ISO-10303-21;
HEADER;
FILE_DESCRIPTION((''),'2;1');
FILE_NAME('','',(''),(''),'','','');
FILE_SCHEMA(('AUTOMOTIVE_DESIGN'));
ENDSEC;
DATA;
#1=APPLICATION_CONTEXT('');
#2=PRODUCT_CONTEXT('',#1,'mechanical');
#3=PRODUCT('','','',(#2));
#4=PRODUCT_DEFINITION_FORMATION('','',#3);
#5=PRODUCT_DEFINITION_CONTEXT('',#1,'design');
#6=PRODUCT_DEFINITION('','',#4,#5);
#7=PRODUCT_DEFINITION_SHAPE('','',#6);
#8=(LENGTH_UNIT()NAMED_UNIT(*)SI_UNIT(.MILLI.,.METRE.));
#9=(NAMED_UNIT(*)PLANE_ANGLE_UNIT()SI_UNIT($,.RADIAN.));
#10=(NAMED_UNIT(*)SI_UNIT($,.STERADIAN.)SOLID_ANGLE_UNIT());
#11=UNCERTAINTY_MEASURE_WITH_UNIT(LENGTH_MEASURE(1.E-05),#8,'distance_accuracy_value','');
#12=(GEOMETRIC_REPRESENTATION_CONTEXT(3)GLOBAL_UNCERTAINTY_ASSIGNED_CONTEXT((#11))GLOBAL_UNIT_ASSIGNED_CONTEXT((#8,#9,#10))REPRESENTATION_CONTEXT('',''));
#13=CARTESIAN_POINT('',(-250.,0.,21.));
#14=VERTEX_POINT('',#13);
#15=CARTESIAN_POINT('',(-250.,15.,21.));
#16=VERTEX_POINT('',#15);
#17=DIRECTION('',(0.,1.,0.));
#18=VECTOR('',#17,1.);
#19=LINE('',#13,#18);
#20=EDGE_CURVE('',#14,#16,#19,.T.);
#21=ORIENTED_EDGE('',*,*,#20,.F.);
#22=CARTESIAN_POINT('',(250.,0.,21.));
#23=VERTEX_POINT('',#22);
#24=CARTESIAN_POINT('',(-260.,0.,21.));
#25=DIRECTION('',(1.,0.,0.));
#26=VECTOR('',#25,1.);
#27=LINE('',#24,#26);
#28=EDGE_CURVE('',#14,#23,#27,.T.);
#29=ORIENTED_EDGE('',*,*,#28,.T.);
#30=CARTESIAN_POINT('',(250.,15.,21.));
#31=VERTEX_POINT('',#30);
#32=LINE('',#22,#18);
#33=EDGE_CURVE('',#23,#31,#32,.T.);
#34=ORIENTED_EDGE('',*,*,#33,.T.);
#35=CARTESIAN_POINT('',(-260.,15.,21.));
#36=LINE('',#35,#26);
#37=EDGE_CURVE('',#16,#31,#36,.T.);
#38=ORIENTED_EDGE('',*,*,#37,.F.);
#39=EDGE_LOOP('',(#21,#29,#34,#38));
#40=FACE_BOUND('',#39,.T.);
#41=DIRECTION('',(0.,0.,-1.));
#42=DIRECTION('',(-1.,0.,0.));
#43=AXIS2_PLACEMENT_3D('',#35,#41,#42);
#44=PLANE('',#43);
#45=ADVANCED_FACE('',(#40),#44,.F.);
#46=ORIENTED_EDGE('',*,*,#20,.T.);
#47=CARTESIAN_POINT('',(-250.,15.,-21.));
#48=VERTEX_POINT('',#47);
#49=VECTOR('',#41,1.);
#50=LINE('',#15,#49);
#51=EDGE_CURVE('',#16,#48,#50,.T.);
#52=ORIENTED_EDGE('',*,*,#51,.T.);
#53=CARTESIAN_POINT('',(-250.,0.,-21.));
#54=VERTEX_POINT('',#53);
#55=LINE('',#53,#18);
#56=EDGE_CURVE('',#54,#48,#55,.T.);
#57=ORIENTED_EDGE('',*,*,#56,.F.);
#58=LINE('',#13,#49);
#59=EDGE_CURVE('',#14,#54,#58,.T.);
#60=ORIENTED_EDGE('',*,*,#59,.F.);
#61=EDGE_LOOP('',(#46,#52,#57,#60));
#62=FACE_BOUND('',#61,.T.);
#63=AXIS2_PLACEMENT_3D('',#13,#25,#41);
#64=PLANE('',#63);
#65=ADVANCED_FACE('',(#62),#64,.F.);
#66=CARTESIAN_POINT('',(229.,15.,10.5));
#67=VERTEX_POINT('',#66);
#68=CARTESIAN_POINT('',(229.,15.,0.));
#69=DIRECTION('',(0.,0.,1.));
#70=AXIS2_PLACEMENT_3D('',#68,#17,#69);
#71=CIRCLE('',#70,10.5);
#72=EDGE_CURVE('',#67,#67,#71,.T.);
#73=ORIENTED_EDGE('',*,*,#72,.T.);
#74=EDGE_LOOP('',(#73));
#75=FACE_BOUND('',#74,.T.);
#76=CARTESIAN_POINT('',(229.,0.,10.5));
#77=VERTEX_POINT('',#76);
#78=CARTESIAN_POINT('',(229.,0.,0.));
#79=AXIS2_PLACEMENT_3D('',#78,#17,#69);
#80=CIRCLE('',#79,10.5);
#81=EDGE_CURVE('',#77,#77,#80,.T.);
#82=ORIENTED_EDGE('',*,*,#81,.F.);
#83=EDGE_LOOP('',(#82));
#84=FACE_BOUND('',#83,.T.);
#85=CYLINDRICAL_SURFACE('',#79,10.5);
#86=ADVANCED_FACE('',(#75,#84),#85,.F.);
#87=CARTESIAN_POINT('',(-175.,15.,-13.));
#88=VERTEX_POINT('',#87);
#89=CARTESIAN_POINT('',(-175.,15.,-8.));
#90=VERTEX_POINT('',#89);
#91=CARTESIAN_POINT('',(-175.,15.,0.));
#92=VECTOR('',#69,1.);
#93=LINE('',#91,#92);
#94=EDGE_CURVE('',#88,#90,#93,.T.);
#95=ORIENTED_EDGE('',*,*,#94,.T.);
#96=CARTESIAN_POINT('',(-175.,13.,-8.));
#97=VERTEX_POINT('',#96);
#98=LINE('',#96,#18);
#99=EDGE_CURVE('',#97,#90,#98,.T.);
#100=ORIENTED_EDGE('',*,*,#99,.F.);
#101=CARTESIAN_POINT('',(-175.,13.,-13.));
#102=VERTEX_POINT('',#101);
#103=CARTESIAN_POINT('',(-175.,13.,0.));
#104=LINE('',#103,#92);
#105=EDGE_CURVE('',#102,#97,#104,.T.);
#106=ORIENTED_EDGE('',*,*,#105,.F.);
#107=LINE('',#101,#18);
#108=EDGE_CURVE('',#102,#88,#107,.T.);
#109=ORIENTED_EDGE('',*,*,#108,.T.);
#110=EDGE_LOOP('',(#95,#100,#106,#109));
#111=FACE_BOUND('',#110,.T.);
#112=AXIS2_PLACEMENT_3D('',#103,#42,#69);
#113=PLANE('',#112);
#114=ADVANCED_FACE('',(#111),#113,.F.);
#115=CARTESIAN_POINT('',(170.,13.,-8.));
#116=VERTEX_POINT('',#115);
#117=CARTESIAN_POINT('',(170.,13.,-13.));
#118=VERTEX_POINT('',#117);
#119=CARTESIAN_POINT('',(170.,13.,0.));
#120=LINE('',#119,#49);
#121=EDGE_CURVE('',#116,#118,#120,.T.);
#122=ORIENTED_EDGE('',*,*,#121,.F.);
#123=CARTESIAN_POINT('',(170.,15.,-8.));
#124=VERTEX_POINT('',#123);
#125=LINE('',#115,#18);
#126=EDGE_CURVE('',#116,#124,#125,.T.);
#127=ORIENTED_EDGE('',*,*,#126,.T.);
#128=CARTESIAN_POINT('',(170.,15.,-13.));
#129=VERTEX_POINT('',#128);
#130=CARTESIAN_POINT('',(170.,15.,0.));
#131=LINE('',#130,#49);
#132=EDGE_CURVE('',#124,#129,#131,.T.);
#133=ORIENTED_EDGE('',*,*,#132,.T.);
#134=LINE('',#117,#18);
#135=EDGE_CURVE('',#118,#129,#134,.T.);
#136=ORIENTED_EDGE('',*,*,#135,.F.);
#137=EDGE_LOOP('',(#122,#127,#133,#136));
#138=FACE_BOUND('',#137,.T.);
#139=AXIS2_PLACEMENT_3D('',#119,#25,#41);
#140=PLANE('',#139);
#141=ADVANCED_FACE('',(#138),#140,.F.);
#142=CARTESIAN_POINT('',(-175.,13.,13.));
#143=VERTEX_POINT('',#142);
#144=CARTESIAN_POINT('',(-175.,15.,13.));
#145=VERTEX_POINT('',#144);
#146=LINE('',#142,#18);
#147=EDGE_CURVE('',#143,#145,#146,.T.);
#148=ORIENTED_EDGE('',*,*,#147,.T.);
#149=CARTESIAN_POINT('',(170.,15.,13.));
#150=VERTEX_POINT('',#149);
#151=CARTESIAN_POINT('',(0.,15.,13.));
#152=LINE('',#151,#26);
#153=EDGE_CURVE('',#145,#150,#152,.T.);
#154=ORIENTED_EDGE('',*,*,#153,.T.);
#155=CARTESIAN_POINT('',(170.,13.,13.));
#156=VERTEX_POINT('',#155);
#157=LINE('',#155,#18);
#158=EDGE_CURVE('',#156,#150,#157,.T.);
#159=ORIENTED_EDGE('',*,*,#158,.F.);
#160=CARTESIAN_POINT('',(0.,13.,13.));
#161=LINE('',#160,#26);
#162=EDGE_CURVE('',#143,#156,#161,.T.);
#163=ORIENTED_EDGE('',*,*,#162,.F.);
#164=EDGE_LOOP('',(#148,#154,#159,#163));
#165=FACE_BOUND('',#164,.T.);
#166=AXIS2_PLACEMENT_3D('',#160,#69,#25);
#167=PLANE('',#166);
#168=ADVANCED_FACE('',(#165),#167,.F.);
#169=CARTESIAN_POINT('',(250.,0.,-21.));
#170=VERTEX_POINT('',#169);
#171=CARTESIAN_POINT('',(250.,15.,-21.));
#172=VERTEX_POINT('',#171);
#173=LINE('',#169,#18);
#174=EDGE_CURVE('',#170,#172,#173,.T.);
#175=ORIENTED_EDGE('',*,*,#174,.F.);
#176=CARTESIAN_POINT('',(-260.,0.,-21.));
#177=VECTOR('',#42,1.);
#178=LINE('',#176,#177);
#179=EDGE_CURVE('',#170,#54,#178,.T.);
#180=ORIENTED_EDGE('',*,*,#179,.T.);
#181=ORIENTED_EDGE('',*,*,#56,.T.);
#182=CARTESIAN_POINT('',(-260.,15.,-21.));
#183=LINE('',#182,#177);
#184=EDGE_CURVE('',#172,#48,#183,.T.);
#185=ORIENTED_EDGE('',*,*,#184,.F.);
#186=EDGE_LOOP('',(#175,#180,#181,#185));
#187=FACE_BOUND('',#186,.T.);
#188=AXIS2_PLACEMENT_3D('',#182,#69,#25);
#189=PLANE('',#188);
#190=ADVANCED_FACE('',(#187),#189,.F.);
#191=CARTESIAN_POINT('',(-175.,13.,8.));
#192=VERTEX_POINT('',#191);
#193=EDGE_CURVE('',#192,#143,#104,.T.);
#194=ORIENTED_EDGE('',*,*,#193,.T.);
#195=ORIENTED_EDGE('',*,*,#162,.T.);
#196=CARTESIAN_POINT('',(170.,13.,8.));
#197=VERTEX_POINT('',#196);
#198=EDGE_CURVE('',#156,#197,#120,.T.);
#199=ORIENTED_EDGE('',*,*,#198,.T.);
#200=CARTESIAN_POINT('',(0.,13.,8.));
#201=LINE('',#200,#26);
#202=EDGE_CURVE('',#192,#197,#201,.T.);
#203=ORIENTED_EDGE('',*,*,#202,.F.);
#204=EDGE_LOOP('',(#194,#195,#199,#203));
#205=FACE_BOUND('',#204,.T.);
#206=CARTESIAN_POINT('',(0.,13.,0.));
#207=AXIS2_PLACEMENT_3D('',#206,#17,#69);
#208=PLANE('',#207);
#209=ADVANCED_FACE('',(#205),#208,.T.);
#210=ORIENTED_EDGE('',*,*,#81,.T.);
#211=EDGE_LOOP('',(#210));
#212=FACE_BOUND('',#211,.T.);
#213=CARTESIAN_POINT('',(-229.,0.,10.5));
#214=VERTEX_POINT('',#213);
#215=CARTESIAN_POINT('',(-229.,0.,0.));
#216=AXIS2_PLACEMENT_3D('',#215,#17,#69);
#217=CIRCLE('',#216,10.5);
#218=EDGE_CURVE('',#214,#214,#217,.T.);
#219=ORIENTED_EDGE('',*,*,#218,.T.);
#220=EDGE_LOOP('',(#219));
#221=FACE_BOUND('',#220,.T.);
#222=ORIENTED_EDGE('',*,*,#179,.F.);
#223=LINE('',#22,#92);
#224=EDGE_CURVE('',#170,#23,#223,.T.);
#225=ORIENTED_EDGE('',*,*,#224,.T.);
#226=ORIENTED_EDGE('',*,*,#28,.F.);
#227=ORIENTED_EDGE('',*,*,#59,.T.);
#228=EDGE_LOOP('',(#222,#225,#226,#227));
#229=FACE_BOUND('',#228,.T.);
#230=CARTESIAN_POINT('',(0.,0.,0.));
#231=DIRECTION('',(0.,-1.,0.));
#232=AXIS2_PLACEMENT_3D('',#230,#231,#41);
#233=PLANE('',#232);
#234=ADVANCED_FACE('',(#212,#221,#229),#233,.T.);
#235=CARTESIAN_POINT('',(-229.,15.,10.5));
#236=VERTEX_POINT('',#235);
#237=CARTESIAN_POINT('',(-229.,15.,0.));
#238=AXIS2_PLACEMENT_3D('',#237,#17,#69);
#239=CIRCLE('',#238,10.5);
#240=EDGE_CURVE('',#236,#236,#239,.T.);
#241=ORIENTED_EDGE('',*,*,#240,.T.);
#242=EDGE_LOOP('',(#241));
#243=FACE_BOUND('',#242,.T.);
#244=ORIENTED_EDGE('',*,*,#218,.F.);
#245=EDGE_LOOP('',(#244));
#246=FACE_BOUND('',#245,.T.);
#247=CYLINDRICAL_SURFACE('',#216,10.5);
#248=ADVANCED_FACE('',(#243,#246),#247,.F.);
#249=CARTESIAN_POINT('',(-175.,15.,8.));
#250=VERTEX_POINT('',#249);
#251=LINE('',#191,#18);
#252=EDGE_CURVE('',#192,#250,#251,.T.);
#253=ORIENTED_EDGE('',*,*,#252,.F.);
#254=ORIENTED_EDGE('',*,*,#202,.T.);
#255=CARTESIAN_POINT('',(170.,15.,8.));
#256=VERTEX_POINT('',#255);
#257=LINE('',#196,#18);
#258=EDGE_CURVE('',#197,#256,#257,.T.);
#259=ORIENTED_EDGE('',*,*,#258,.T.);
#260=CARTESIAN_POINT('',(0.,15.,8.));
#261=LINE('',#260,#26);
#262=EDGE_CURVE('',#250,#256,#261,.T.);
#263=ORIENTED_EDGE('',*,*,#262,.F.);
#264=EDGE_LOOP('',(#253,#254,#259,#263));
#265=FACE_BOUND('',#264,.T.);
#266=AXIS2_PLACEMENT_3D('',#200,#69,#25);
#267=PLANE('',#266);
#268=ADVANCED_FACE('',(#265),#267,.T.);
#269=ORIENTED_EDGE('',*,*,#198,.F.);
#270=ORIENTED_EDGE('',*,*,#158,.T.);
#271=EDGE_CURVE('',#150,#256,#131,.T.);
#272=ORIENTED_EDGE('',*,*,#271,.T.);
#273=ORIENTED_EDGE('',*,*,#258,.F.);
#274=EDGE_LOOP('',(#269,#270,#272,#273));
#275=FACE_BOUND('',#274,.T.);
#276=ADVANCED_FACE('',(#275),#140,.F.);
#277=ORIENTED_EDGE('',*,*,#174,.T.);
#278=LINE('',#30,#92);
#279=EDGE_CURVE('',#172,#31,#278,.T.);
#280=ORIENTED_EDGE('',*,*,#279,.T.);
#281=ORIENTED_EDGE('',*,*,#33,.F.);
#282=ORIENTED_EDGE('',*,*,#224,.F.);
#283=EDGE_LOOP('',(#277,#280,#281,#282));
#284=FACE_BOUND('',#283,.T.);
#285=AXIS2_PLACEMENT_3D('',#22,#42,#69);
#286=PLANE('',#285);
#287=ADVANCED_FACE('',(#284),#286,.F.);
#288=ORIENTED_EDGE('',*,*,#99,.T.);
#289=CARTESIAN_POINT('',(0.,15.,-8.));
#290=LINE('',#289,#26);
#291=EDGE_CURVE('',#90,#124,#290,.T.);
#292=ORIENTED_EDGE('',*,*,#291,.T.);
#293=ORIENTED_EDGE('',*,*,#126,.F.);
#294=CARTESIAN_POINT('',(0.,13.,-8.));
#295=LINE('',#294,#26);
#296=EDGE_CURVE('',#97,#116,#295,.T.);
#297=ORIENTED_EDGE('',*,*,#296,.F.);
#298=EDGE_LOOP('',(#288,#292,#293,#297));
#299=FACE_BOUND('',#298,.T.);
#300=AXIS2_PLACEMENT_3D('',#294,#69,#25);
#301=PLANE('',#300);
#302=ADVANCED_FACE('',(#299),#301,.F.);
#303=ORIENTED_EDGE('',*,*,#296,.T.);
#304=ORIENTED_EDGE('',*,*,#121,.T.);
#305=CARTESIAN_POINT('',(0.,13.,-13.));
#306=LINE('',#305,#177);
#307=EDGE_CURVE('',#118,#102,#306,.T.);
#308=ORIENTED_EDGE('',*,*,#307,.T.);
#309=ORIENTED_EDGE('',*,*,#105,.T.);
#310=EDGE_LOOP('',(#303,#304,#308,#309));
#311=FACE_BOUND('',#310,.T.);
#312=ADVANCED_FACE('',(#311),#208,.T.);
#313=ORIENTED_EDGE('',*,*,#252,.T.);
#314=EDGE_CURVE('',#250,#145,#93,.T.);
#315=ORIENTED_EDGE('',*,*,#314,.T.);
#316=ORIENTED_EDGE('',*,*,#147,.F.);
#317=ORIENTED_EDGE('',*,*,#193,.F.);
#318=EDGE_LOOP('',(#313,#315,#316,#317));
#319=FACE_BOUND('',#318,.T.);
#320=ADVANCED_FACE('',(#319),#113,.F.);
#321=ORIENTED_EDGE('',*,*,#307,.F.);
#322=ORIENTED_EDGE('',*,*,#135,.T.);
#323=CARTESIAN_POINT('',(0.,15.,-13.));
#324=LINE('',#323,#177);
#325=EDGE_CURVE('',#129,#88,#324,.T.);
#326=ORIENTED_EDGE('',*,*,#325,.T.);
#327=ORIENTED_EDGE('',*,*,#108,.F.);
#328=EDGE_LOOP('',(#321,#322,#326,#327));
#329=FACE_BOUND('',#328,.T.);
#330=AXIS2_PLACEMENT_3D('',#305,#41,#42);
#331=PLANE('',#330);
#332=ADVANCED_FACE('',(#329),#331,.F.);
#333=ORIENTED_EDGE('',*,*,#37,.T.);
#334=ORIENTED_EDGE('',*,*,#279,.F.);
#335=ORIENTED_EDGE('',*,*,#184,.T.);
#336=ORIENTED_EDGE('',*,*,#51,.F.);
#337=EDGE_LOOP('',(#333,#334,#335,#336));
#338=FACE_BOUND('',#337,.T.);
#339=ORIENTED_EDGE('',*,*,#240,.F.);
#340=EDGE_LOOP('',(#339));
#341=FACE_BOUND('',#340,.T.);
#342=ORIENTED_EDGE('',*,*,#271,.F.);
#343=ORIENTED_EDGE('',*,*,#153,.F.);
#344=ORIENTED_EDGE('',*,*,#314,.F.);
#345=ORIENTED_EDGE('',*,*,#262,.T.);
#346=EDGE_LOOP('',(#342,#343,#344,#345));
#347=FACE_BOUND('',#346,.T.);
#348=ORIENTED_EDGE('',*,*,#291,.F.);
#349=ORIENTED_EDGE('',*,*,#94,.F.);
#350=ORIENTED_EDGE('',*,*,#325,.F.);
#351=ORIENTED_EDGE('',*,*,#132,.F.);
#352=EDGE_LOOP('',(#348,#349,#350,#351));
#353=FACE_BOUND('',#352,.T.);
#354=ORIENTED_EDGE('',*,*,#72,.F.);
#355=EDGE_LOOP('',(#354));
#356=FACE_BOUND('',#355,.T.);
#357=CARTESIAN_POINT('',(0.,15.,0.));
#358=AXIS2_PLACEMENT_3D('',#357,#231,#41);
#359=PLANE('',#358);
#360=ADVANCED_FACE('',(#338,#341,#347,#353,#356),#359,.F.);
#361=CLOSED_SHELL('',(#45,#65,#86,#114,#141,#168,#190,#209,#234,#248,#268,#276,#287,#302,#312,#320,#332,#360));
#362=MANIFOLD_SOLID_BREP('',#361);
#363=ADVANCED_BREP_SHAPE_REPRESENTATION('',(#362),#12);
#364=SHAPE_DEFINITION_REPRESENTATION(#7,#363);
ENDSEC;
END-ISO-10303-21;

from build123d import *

# Parameters (mm, degrees)
ESQUISSE1_W             = 520
ESQUISSE1_H             = 42
BOSS_EXTRU_1_DEPTH      = 15
ESQUISSE2_R             = 10.5
ENL_V_MAT_EXTRU_1_DEPTH = 15
ESQUISSE3_W             = 10
ESQUISSE3_H             = 42
ENL_V_MAT_EXTRU_2_DEPTH = 262.277630118
ESQUISSE4_W             = 345
ESQUISSE4_H             = 5
ENL_V_MAT_EXTRU_3_DEPTH = 2


with BuildPart() as part:
    # Esquisse1 → Boss.-Extru.1 (new body)
    with BuildSketch(Plane(origin=(0, 0, 0), x_dir=(1, 0, 0), z_dir=(0, 1, 0))):
        Rectangle(ESQUISSE1_W, ESQUISSE1_H)
    extrude(amount=BOSS_EXTRU_1_DEPTH)

    # Esquisse2 → Enlèv. mat.-Extru.1 (cut)
    with BuildSketch(Plane(origin=(0, 15, 0), x_dir=(1, 0, 0), z_dir=(0, 1, 0))):
        with Locations(Location((-229, 0, 0), (0, 0, 270))):
            Circle(ESQUISSE2_R)
        with Locations(Location((229, 0, 0), (0, 0, 270))):
            Circle(ESQUISSE2_R)
    extrude(amount=-ENL_V_MAT_EXTRU_1_DEPTH, mode=Mode.SUBTRACT)

    # Esquisse3 → Enlèv. mat.-Extru.2 (cut, through all)
    with BuildSketch(Plane(origin=(0, 15, 0), x_dir=(1, 0, 0), z_dir=(0, 1, 0))):
        with Locations((-255, 0)):
            Rectangle(ESQUISSE3_W, ESQUISSE3_H)
        with Locations((255, 0)):
            Rectangle(ESQUISSE3_W, ESQUISSE3_H)
    extrude(amount=-ENL_V_MAT_EXTRU_2_DEPTH, mode=Mode.SUBTRACT)

    # Esquisse4 → Enlèv. mat.-Extru.3 (cut)
    with BuildSketch(Plane(origin=(0, 15, 0), x_dir=(1, 0, 0), z_dir=(0, 1, 0))):
        with Locations((-2.5, -10.5)):
            Rectangle(ESQUISSE4_W, ESQUISSE4_H)
        with Locations((-2.5, 10.5)):
            Rectangle(ESQUISSE4_W, ESQUISSE4_H)
    extrude(amount=-ENL_V_MAT_EXTRU_3_DEPTH, mode=Mode.SUBTRACT)


solid = part.part
